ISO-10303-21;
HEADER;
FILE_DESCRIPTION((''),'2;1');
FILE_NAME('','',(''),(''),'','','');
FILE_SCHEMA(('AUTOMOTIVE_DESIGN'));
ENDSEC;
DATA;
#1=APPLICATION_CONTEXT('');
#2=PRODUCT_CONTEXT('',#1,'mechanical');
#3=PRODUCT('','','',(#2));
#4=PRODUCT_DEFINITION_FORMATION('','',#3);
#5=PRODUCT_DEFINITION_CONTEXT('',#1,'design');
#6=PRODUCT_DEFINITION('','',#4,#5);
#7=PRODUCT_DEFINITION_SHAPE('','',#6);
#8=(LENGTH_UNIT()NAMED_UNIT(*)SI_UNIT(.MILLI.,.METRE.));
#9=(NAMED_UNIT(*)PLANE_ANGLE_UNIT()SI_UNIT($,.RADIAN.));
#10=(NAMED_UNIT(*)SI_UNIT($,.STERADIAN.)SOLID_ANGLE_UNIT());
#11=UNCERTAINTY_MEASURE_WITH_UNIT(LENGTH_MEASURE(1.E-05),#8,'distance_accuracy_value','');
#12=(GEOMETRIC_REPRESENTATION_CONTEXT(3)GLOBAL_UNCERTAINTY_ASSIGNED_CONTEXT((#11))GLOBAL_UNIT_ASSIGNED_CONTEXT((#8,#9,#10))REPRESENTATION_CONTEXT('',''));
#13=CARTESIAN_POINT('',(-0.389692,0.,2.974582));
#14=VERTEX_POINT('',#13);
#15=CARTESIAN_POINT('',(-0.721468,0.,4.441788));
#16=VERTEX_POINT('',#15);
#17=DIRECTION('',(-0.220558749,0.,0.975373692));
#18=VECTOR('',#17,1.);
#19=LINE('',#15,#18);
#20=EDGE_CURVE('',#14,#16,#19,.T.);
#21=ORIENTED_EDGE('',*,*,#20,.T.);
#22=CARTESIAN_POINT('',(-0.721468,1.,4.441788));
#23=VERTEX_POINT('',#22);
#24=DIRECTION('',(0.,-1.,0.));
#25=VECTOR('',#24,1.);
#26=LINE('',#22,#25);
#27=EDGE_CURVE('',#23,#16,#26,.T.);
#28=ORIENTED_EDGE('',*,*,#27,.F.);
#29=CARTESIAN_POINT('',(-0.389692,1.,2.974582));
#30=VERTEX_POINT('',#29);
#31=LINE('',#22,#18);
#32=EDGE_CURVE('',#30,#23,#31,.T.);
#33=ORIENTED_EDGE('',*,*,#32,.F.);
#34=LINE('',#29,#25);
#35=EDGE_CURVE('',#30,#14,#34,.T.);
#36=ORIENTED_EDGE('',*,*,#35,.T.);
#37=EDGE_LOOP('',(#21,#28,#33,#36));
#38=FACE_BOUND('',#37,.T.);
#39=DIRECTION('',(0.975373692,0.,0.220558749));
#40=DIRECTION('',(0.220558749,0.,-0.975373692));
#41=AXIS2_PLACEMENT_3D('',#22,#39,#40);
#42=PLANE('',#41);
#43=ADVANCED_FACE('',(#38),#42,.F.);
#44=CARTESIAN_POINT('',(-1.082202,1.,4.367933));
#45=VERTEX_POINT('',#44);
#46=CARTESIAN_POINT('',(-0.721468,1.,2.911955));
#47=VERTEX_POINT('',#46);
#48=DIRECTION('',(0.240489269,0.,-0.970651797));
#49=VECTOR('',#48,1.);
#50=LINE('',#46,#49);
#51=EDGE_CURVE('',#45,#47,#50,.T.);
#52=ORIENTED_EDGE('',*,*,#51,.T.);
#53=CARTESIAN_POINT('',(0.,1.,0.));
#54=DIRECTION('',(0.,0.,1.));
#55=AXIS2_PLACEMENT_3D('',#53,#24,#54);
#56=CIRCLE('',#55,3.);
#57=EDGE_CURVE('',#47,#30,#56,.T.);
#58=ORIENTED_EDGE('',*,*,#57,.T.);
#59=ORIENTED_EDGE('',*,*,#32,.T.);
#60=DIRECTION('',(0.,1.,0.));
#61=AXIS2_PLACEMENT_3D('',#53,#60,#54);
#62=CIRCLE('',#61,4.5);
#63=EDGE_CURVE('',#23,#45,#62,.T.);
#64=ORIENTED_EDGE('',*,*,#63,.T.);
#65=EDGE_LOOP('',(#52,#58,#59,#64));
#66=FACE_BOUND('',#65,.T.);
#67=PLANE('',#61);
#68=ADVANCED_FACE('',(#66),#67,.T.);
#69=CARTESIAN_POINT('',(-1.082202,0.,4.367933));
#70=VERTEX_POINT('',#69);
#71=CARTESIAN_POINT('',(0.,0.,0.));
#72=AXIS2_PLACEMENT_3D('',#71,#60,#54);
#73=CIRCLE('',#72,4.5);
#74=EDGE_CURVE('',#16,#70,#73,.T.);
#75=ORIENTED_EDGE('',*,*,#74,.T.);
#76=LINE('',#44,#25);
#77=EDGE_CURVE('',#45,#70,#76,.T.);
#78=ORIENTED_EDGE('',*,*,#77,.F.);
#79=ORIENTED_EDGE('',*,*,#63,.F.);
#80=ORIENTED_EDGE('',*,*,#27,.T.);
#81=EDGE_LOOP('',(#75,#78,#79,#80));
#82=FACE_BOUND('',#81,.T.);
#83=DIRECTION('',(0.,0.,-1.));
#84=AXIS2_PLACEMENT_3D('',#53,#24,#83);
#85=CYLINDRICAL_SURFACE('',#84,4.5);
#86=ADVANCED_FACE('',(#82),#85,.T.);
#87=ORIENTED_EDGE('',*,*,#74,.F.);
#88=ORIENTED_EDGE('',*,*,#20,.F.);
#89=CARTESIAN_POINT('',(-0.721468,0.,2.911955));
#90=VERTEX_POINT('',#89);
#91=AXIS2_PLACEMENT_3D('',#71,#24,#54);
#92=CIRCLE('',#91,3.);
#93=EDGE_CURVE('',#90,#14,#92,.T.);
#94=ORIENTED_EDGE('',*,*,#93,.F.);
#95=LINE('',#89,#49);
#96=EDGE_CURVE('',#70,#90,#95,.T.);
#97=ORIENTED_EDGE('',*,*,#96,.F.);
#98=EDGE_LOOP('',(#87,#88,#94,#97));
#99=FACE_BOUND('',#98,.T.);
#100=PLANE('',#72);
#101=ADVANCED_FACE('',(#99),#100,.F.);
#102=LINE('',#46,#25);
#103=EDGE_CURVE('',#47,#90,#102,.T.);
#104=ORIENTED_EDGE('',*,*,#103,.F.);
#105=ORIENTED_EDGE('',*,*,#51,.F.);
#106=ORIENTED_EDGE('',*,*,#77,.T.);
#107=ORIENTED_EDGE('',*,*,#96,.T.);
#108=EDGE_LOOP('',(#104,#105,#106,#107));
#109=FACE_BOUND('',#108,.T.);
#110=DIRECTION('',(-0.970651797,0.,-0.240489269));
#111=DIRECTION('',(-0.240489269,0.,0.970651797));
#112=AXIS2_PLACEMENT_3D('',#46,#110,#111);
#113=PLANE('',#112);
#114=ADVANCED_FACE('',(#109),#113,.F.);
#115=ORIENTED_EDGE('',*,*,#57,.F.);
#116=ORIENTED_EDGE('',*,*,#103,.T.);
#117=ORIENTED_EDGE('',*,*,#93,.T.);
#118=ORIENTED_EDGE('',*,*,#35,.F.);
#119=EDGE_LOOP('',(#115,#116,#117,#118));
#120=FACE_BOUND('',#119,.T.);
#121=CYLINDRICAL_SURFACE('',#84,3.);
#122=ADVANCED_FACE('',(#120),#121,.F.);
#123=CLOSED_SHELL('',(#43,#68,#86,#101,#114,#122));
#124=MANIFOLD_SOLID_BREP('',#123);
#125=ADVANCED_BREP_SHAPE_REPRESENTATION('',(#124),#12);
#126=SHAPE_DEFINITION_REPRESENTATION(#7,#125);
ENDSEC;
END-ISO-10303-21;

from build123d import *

# Parameters (mm, degrees)
EXTRUDE_1_DEPTH = 1


with BuildPart() as part:
    # Эскиз1 → Бобышка-Вытянуть1 (new body)
    with BuildSketch(Plane(origin=(0, 0, 0), x_dir=(1, 0, 0), z_dir=(0, 1, 0))):
        with BuildLine():
            Line((-0.721467808, -2.911955392), (-1.082201712, -4.367933087))
            ThreePointArc((-1.082201712, -4.367933087), (0.902590486, 4.408551963), (-0.721467808, -4.441788401))
            Line((-0.721467808, -4.441788401), (-0.389692262, -2.974582314))
            ThreePointArc((-0.389692262, -2.974582314), (0.556461776, 2.947940008), (-0.721467808, -2.911955392))
        make_face()
    extrude(amount=EXTRUDE_1_DEPTH)


solid = part.part
